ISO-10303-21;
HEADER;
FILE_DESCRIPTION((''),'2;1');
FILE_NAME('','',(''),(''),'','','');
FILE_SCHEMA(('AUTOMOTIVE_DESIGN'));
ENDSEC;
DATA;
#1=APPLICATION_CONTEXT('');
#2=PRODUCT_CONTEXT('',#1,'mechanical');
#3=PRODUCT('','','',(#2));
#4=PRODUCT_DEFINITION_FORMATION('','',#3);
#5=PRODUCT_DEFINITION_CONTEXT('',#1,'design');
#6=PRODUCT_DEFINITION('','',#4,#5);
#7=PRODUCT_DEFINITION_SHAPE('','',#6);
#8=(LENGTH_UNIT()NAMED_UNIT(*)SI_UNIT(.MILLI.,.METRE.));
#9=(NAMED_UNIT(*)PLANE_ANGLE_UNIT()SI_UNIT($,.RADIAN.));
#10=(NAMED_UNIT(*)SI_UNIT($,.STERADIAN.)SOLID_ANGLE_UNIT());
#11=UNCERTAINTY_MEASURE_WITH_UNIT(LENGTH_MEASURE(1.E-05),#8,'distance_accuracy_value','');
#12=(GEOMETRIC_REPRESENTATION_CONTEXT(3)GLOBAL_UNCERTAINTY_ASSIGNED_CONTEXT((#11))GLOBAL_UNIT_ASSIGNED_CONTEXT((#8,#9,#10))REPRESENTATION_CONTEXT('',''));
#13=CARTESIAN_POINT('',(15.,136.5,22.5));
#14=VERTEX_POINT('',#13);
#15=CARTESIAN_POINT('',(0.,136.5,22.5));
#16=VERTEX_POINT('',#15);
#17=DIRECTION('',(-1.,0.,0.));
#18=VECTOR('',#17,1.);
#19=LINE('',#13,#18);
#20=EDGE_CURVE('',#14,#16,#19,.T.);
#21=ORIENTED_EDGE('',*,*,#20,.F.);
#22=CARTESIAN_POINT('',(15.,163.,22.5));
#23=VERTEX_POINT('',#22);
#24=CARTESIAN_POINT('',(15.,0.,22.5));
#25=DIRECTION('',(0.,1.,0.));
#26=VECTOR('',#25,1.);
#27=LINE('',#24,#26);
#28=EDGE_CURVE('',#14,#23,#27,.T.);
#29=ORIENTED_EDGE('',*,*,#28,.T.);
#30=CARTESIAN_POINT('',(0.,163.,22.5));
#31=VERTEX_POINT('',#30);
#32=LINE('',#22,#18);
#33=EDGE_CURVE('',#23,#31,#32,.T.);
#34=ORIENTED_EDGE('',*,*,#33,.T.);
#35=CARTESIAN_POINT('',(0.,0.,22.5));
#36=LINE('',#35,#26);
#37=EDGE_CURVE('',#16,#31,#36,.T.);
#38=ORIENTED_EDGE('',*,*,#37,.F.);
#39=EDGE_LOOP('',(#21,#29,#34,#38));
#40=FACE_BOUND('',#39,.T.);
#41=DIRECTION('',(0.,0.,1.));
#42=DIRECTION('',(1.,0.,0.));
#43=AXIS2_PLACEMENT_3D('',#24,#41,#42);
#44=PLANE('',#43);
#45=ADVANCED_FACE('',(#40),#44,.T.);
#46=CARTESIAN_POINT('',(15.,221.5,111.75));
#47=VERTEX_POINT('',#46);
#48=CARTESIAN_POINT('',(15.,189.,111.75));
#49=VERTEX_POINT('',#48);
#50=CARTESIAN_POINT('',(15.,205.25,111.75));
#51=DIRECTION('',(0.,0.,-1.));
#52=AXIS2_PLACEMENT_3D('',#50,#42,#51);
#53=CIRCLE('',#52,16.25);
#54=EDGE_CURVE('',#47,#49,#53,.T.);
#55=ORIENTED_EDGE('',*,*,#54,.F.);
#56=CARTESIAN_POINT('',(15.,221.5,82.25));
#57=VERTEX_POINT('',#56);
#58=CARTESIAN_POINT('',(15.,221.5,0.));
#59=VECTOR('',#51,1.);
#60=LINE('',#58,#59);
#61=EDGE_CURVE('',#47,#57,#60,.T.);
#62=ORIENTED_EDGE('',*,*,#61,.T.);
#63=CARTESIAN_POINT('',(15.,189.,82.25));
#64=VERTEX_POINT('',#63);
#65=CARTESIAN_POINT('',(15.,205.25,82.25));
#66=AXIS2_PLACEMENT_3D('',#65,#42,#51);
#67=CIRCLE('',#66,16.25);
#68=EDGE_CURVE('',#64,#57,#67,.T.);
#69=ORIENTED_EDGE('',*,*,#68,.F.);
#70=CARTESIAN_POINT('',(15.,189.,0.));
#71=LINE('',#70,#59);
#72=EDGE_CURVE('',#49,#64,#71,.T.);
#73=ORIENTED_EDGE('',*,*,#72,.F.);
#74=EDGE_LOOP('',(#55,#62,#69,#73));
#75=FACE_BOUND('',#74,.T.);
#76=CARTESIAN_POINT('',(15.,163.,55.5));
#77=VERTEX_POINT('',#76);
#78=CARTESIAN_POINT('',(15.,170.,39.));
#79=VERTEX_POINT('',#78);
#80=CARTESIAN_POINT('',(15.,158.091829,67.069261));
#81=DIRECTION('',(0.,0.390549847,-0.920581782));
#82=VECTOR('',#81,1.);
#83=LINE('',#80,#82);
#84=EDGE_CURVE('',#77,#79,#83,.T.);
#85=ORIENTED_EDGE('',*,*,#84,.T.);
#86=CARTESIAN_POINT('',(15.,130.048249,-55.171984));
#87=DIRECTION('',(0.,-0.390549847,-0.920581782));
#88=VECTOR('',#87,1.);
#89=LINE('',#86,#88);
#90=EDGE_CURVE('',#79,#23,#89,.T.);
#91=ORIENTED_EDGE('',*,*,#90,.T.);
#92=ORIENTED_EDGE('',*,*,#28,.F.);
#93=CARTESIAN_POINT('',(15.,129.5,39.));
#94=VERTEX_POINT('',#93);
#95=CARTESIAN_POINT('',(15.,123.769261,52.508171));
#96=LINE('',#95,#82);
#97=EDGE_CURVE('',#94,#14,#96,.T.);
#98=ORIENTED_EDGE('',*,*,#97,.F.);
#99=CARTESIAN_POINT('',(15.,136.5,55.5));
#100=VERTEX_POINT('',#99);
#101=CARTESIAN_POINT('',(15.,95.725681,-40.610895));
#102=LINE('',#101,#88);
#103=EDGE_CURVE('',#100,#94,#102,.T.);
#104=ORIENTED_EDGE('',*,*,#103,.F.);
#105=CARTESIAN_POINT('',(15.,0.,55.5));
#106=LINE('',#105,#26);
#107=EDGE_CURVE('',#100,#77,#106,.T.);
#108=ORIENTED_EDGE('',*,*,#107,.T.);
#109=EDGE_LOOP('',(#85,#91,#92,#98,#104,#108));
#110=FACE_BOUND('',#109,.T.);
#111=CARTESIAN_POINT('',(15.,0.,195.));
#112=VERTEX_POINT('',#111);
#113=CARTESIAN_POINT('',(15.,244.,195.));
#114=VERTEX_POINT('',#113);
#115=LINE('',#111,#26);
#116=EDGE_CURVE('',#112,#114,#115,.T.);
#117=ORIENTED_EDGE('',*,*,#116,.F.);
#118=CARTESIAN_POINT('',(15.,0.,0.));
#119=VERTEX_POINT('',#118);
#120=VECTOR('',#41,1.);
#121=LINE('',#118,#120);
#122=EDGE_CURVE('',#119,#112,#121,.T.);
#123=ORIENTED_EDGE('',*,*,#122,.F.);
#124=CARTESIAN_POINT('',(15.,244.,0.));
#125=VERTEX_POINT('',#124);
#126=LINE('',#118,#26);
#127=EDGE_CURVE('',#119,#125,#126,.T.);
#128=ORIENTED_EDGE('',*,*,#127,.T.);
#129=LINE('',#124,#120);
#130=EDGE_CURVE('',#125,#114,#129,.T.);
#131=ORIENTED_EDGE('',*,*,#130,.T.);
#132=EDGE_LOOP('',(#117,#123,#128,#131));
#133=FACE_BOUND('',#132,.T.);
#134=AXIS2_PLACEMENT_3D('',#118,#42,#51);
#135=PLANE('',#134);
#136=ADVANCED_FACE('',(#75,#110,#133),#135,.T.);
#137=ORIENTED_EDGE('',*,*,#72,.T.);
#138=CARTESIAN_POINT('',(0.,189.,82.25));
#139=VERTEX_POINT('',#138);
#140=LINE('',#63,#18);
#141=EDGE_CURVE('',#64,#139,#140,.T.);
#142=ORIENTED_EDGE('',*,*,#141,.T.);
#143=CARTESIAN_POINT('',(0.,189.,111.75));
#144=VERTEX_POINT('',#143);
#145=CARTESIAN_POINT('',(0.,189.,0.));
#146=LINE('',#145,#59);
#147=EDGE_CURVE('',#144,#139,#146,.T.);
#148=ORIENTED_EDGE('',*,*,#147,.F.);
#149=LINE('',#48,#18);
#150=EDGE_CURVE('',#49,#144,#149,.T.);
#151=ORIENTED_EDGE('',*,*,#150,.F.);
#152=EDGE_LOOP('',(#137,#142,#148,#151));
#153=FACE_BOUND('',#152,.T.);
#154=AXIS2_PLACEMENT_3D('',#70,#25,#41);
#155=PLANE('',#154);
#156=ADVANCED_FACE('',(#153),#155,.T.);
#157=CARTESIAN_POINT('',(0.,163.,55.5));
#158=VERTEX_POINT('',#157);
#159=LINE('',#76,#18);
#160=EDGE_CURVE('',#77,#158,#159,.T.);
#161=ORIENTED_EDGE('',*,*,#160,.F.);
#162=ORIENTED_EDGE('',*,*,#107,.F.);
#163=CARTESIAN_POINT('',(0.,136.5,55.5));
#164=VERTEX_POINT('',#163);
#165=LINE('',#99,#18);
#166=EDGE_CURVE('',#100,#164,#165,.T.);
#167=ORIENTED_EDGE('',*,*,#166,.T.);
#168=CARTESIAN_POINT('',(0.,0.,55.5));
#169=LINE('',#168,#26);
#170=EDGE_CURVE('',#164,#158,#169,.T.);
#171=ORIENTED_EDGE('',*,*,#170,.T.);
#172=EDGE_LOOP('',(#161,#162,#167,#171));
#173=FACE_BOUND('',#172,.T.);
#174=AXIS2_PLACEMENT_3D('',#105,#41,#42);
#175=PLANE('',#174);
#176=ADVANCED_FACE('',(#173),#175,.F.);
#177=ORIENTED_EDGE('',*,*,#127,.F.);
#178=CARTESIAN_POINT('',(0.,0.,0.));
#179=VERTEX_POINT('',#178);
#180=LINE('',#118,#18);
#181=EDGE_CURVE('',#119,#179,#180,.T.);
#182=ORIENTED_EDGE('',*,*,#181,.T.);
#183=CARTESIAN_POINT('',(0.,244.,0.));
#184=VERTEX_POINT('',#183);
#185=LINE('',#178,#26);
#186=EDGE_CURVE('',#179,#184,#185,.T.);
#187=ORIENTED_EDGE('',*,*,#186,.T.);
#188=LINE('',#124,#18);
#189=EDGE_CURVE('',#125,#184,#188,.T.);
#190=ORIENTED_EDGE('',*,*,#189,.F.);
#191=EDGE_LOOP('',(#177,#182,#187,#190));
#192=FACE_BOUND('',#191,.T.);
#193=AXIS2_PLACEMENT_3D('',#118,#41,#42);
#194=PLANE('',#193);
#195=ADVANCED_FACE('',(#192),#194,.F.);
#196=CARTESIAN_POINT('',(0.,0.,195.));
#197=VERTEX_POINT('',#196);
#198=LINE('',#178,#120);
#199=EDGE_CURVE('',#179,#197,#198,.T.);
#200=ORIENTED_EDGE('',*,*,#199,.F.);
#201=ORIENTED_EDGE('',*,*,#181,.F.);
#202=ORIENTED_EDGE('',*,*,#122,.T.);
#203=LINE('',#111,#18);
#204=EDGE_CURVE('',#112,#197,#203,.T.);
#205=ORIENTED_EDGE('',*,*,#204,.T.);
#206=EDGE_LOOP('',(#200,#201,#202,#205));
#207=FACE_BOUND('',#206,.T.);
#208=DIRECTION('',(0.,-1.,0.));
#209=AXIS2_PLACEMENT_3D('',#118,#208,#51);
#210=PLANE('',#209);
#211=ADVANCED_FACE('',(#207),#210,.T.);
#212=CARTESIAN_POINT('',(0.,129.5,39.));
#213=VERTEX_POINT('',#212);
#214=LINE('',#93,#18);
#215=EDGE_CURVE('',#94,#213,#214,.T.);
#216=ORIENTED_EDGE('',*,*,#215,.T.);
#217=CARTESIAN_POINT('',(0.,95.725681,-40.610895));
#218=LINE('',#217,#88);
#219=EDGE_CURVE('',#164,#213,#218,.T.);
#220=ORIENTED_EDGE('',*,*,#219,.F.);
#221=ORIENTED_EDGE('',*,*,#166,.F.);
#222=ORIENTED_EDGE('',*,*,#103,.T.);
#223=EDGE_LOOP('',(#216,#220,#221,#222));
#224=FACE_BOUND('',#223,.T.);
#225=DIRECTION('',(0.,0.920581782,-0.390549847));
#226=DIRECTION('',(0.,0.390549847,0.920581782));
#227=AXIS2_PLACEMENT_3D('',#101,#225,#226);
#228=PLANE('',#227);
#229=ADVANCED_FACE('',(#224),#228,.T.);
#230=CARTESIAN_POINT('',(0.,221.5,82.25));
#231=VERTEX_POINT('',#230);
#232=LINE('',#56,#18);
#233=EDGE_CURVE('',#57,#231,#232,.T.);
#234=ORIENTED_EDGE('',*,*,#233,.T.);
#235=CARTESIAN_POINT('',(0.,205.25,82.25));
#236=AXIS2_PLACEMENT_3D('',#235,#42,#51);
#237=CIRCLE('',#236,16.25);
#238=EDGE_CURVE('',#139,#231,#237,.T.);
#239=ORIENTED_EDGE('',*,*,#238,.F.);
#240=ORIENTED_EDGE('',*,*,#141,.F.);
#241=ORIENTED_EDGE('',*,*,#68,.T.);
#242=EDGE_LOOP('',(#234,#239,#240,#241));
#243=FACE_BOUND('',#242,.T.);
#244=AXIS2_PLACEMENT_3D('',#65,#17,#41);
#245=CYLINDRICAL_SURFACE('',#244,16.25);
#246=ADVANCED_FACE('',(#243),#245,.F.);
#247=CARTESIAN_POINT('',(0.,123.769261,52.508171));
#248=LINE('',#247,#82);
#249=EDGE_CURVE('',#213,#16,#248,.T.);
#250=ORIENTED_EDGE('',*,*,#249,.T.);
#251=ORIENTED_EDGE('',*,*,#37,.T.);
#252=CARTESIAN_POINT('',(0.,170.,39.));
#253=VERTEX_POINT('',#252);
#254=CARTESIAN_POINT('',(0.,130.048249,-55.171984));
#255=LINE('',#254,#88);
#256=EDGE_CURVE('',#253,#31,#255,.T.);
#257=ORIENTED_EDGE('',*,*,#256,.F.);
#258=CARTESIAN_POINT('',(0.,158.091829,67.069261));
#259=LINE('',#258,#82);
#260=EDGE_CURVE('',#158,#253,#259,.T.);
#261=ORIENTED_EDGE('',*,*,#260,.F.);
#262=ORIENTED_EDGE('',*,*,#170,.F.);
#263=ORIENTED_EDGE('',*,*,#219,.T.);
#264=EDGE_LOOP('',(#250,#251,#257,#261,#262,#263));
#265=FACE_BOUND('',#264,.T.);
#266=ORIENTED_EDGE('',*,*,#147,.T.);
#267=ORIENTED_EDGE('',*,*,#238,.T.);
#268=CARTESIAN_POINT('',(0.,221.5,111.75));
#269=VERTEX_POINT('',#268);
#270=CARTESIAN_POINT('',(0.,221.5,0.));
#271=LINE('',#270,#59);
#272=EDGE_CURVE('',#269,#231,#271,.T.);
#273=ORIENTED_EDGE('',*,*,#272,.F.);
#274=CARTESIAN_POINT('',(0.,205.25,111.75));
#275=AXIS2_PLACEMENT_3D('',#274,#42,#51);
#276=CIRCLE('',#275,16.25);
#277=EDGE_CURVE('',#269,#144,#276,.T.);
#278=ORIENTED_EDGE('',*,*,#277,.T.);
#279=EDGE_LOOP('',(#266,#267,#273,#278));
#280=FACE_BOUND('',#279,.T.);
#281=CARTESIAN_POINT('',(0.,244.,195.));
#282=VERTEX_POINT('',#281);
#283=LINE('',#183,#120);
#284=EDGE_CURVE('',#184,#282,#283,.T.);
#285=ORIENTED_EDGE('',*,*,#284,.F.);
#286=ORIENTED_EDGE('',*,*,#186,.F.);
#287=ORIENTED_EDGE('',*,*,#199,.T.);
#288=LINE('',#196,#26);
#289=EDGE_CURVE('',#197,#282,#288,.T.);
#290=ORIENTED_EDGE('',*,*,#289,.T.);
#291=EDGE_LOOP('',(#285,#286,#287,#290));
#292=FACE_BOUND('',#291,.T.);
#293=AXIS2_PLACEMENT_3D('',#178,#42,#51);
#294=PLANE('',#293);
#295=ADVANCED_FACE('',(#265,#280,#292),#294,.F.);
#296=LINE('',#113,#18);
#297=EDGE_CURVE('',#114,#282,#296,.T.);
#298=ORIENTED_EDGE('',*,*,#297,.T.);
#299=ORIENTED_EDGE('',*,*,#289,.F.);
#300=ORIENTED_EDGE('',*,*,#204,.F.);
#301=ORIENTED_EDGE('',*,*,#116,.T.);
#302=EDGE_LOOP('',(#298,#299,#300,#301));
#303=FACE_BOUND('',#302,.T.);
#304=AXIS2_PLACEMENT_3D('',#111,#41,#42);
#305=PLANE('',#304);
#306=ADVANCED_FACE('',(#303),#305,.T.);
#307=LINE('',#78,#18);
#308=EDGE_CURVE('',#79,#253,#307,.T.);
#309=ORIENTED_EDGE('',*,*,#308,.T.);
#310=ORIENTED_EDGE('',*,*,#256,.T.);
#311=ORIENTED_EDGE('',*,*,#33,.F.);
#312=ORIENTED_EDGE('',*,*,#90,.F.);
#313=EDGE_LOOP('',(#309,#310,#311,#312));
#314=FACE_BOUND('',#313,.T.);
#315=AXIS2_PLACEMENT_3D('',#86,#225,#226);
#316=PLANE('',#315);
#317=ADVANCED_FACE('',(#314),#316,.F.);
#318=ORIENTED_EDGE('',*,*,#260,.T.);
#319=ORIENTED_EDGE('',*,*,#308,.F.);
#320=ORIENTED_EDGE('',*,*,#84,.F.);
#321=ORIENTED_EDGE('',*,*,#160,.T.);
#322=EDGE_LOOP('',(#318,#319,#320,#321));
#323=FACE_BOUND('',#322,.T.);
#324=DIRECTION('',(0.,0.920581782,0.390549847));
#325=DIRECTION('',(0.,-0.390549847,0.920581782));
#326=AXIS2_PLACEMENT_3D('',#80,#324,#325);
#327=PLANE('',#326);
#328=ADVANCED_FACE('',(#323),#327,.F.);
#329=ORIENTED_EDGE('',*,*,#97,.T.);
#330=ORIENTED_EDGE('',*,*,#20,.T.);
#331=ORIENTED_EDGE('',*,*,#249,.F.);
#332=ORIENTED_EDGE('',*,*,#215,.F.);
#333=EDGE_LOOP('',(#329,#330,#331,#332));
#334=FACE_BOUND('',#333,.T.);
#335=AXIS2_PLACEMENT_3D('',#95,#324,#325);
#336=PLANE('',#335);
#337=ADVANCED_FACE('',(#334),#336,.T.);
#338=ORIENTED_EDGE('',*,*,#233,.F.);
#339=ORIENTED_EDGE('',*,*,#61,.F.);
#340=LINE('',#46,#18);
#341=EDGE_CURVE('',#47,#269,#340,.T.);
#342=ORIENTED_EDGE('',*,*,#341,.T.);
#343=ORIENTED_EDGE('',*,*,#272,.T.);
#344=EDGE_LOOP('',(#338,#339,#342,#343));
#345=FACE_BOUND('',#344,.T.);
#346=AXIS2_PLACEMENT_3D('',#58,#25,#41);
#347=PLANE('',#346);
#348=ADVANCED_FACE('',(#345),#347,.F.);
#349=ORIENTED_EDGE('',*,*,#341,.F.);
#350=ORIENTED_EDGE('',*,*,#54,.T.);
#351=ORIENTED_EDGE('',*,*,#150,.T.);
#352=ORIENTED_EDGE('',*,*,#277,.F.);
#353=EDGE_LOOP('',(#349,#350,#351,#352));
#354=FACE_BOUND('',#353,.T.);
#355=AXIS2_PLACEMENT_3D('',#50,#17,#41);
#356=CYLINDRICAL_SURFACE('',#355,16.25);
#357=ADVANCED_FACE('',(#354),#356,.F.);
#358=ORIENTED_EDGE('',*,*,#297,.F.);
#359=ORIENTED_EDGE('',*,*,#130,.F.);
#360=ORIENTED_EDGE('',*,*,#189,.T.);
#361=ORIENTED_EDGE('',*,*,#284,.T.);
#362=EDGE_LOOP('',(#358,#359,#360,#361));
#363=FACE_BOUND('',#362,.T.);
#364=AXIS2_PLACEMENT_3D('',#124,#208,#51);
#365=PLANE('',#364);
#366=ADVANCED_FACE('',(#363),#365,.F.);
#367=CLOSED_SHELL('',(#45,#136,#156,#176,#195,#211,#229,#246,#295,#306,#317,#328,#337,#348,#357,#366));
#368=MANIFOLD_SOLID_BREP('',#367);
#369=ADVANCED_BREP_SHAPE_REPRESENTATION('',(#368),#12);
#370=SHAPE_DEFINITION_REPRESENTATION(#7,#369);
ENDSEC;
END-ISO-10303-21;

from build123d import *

# Parameters (mm, degrees)
CROQUIS1_W              = 244
CROQUIS1_H              = 195
SALIENTE_EXTRUIR1_DEPTH = 15


with BuildPart() as part:
    # Croquis1 → Saliente-Extruir1 (new body)
    with BuildSketch(Plane.YZ):
        with Locations((122, 97.5)):
            Rectangle(CROQUIS1_W, CROQUIS1_H)
        Polygon((163, 22.5), (136.5, 22.5), (129.831375645, 38.218900266), (129.5, 39), (129.831375684, 39.781099827), (136.5, 55.5), (163, 55.5), (169.668624522, 39.78109934), (170, 39), (169.668624483, 38.218900567), align=None, mode=Mode.SUBTRACT)
        with BuildLine():
            Line((189, 82.25), (189, 111.75))
            ThreePointArc((189, 111.75), (205.25, 128), (221.5, 111.75))
            Line((221.5, 111.75), (221.5, 82.25))
            ThreePointArc((221.5, 82.25), (205.25, 66), (189, 82.25))
        make_face(mode=Mode.SUBTRACT)
    extrude(amount=SALIENTE_EXTRUIR1_DEPTH)


solid = part.part
